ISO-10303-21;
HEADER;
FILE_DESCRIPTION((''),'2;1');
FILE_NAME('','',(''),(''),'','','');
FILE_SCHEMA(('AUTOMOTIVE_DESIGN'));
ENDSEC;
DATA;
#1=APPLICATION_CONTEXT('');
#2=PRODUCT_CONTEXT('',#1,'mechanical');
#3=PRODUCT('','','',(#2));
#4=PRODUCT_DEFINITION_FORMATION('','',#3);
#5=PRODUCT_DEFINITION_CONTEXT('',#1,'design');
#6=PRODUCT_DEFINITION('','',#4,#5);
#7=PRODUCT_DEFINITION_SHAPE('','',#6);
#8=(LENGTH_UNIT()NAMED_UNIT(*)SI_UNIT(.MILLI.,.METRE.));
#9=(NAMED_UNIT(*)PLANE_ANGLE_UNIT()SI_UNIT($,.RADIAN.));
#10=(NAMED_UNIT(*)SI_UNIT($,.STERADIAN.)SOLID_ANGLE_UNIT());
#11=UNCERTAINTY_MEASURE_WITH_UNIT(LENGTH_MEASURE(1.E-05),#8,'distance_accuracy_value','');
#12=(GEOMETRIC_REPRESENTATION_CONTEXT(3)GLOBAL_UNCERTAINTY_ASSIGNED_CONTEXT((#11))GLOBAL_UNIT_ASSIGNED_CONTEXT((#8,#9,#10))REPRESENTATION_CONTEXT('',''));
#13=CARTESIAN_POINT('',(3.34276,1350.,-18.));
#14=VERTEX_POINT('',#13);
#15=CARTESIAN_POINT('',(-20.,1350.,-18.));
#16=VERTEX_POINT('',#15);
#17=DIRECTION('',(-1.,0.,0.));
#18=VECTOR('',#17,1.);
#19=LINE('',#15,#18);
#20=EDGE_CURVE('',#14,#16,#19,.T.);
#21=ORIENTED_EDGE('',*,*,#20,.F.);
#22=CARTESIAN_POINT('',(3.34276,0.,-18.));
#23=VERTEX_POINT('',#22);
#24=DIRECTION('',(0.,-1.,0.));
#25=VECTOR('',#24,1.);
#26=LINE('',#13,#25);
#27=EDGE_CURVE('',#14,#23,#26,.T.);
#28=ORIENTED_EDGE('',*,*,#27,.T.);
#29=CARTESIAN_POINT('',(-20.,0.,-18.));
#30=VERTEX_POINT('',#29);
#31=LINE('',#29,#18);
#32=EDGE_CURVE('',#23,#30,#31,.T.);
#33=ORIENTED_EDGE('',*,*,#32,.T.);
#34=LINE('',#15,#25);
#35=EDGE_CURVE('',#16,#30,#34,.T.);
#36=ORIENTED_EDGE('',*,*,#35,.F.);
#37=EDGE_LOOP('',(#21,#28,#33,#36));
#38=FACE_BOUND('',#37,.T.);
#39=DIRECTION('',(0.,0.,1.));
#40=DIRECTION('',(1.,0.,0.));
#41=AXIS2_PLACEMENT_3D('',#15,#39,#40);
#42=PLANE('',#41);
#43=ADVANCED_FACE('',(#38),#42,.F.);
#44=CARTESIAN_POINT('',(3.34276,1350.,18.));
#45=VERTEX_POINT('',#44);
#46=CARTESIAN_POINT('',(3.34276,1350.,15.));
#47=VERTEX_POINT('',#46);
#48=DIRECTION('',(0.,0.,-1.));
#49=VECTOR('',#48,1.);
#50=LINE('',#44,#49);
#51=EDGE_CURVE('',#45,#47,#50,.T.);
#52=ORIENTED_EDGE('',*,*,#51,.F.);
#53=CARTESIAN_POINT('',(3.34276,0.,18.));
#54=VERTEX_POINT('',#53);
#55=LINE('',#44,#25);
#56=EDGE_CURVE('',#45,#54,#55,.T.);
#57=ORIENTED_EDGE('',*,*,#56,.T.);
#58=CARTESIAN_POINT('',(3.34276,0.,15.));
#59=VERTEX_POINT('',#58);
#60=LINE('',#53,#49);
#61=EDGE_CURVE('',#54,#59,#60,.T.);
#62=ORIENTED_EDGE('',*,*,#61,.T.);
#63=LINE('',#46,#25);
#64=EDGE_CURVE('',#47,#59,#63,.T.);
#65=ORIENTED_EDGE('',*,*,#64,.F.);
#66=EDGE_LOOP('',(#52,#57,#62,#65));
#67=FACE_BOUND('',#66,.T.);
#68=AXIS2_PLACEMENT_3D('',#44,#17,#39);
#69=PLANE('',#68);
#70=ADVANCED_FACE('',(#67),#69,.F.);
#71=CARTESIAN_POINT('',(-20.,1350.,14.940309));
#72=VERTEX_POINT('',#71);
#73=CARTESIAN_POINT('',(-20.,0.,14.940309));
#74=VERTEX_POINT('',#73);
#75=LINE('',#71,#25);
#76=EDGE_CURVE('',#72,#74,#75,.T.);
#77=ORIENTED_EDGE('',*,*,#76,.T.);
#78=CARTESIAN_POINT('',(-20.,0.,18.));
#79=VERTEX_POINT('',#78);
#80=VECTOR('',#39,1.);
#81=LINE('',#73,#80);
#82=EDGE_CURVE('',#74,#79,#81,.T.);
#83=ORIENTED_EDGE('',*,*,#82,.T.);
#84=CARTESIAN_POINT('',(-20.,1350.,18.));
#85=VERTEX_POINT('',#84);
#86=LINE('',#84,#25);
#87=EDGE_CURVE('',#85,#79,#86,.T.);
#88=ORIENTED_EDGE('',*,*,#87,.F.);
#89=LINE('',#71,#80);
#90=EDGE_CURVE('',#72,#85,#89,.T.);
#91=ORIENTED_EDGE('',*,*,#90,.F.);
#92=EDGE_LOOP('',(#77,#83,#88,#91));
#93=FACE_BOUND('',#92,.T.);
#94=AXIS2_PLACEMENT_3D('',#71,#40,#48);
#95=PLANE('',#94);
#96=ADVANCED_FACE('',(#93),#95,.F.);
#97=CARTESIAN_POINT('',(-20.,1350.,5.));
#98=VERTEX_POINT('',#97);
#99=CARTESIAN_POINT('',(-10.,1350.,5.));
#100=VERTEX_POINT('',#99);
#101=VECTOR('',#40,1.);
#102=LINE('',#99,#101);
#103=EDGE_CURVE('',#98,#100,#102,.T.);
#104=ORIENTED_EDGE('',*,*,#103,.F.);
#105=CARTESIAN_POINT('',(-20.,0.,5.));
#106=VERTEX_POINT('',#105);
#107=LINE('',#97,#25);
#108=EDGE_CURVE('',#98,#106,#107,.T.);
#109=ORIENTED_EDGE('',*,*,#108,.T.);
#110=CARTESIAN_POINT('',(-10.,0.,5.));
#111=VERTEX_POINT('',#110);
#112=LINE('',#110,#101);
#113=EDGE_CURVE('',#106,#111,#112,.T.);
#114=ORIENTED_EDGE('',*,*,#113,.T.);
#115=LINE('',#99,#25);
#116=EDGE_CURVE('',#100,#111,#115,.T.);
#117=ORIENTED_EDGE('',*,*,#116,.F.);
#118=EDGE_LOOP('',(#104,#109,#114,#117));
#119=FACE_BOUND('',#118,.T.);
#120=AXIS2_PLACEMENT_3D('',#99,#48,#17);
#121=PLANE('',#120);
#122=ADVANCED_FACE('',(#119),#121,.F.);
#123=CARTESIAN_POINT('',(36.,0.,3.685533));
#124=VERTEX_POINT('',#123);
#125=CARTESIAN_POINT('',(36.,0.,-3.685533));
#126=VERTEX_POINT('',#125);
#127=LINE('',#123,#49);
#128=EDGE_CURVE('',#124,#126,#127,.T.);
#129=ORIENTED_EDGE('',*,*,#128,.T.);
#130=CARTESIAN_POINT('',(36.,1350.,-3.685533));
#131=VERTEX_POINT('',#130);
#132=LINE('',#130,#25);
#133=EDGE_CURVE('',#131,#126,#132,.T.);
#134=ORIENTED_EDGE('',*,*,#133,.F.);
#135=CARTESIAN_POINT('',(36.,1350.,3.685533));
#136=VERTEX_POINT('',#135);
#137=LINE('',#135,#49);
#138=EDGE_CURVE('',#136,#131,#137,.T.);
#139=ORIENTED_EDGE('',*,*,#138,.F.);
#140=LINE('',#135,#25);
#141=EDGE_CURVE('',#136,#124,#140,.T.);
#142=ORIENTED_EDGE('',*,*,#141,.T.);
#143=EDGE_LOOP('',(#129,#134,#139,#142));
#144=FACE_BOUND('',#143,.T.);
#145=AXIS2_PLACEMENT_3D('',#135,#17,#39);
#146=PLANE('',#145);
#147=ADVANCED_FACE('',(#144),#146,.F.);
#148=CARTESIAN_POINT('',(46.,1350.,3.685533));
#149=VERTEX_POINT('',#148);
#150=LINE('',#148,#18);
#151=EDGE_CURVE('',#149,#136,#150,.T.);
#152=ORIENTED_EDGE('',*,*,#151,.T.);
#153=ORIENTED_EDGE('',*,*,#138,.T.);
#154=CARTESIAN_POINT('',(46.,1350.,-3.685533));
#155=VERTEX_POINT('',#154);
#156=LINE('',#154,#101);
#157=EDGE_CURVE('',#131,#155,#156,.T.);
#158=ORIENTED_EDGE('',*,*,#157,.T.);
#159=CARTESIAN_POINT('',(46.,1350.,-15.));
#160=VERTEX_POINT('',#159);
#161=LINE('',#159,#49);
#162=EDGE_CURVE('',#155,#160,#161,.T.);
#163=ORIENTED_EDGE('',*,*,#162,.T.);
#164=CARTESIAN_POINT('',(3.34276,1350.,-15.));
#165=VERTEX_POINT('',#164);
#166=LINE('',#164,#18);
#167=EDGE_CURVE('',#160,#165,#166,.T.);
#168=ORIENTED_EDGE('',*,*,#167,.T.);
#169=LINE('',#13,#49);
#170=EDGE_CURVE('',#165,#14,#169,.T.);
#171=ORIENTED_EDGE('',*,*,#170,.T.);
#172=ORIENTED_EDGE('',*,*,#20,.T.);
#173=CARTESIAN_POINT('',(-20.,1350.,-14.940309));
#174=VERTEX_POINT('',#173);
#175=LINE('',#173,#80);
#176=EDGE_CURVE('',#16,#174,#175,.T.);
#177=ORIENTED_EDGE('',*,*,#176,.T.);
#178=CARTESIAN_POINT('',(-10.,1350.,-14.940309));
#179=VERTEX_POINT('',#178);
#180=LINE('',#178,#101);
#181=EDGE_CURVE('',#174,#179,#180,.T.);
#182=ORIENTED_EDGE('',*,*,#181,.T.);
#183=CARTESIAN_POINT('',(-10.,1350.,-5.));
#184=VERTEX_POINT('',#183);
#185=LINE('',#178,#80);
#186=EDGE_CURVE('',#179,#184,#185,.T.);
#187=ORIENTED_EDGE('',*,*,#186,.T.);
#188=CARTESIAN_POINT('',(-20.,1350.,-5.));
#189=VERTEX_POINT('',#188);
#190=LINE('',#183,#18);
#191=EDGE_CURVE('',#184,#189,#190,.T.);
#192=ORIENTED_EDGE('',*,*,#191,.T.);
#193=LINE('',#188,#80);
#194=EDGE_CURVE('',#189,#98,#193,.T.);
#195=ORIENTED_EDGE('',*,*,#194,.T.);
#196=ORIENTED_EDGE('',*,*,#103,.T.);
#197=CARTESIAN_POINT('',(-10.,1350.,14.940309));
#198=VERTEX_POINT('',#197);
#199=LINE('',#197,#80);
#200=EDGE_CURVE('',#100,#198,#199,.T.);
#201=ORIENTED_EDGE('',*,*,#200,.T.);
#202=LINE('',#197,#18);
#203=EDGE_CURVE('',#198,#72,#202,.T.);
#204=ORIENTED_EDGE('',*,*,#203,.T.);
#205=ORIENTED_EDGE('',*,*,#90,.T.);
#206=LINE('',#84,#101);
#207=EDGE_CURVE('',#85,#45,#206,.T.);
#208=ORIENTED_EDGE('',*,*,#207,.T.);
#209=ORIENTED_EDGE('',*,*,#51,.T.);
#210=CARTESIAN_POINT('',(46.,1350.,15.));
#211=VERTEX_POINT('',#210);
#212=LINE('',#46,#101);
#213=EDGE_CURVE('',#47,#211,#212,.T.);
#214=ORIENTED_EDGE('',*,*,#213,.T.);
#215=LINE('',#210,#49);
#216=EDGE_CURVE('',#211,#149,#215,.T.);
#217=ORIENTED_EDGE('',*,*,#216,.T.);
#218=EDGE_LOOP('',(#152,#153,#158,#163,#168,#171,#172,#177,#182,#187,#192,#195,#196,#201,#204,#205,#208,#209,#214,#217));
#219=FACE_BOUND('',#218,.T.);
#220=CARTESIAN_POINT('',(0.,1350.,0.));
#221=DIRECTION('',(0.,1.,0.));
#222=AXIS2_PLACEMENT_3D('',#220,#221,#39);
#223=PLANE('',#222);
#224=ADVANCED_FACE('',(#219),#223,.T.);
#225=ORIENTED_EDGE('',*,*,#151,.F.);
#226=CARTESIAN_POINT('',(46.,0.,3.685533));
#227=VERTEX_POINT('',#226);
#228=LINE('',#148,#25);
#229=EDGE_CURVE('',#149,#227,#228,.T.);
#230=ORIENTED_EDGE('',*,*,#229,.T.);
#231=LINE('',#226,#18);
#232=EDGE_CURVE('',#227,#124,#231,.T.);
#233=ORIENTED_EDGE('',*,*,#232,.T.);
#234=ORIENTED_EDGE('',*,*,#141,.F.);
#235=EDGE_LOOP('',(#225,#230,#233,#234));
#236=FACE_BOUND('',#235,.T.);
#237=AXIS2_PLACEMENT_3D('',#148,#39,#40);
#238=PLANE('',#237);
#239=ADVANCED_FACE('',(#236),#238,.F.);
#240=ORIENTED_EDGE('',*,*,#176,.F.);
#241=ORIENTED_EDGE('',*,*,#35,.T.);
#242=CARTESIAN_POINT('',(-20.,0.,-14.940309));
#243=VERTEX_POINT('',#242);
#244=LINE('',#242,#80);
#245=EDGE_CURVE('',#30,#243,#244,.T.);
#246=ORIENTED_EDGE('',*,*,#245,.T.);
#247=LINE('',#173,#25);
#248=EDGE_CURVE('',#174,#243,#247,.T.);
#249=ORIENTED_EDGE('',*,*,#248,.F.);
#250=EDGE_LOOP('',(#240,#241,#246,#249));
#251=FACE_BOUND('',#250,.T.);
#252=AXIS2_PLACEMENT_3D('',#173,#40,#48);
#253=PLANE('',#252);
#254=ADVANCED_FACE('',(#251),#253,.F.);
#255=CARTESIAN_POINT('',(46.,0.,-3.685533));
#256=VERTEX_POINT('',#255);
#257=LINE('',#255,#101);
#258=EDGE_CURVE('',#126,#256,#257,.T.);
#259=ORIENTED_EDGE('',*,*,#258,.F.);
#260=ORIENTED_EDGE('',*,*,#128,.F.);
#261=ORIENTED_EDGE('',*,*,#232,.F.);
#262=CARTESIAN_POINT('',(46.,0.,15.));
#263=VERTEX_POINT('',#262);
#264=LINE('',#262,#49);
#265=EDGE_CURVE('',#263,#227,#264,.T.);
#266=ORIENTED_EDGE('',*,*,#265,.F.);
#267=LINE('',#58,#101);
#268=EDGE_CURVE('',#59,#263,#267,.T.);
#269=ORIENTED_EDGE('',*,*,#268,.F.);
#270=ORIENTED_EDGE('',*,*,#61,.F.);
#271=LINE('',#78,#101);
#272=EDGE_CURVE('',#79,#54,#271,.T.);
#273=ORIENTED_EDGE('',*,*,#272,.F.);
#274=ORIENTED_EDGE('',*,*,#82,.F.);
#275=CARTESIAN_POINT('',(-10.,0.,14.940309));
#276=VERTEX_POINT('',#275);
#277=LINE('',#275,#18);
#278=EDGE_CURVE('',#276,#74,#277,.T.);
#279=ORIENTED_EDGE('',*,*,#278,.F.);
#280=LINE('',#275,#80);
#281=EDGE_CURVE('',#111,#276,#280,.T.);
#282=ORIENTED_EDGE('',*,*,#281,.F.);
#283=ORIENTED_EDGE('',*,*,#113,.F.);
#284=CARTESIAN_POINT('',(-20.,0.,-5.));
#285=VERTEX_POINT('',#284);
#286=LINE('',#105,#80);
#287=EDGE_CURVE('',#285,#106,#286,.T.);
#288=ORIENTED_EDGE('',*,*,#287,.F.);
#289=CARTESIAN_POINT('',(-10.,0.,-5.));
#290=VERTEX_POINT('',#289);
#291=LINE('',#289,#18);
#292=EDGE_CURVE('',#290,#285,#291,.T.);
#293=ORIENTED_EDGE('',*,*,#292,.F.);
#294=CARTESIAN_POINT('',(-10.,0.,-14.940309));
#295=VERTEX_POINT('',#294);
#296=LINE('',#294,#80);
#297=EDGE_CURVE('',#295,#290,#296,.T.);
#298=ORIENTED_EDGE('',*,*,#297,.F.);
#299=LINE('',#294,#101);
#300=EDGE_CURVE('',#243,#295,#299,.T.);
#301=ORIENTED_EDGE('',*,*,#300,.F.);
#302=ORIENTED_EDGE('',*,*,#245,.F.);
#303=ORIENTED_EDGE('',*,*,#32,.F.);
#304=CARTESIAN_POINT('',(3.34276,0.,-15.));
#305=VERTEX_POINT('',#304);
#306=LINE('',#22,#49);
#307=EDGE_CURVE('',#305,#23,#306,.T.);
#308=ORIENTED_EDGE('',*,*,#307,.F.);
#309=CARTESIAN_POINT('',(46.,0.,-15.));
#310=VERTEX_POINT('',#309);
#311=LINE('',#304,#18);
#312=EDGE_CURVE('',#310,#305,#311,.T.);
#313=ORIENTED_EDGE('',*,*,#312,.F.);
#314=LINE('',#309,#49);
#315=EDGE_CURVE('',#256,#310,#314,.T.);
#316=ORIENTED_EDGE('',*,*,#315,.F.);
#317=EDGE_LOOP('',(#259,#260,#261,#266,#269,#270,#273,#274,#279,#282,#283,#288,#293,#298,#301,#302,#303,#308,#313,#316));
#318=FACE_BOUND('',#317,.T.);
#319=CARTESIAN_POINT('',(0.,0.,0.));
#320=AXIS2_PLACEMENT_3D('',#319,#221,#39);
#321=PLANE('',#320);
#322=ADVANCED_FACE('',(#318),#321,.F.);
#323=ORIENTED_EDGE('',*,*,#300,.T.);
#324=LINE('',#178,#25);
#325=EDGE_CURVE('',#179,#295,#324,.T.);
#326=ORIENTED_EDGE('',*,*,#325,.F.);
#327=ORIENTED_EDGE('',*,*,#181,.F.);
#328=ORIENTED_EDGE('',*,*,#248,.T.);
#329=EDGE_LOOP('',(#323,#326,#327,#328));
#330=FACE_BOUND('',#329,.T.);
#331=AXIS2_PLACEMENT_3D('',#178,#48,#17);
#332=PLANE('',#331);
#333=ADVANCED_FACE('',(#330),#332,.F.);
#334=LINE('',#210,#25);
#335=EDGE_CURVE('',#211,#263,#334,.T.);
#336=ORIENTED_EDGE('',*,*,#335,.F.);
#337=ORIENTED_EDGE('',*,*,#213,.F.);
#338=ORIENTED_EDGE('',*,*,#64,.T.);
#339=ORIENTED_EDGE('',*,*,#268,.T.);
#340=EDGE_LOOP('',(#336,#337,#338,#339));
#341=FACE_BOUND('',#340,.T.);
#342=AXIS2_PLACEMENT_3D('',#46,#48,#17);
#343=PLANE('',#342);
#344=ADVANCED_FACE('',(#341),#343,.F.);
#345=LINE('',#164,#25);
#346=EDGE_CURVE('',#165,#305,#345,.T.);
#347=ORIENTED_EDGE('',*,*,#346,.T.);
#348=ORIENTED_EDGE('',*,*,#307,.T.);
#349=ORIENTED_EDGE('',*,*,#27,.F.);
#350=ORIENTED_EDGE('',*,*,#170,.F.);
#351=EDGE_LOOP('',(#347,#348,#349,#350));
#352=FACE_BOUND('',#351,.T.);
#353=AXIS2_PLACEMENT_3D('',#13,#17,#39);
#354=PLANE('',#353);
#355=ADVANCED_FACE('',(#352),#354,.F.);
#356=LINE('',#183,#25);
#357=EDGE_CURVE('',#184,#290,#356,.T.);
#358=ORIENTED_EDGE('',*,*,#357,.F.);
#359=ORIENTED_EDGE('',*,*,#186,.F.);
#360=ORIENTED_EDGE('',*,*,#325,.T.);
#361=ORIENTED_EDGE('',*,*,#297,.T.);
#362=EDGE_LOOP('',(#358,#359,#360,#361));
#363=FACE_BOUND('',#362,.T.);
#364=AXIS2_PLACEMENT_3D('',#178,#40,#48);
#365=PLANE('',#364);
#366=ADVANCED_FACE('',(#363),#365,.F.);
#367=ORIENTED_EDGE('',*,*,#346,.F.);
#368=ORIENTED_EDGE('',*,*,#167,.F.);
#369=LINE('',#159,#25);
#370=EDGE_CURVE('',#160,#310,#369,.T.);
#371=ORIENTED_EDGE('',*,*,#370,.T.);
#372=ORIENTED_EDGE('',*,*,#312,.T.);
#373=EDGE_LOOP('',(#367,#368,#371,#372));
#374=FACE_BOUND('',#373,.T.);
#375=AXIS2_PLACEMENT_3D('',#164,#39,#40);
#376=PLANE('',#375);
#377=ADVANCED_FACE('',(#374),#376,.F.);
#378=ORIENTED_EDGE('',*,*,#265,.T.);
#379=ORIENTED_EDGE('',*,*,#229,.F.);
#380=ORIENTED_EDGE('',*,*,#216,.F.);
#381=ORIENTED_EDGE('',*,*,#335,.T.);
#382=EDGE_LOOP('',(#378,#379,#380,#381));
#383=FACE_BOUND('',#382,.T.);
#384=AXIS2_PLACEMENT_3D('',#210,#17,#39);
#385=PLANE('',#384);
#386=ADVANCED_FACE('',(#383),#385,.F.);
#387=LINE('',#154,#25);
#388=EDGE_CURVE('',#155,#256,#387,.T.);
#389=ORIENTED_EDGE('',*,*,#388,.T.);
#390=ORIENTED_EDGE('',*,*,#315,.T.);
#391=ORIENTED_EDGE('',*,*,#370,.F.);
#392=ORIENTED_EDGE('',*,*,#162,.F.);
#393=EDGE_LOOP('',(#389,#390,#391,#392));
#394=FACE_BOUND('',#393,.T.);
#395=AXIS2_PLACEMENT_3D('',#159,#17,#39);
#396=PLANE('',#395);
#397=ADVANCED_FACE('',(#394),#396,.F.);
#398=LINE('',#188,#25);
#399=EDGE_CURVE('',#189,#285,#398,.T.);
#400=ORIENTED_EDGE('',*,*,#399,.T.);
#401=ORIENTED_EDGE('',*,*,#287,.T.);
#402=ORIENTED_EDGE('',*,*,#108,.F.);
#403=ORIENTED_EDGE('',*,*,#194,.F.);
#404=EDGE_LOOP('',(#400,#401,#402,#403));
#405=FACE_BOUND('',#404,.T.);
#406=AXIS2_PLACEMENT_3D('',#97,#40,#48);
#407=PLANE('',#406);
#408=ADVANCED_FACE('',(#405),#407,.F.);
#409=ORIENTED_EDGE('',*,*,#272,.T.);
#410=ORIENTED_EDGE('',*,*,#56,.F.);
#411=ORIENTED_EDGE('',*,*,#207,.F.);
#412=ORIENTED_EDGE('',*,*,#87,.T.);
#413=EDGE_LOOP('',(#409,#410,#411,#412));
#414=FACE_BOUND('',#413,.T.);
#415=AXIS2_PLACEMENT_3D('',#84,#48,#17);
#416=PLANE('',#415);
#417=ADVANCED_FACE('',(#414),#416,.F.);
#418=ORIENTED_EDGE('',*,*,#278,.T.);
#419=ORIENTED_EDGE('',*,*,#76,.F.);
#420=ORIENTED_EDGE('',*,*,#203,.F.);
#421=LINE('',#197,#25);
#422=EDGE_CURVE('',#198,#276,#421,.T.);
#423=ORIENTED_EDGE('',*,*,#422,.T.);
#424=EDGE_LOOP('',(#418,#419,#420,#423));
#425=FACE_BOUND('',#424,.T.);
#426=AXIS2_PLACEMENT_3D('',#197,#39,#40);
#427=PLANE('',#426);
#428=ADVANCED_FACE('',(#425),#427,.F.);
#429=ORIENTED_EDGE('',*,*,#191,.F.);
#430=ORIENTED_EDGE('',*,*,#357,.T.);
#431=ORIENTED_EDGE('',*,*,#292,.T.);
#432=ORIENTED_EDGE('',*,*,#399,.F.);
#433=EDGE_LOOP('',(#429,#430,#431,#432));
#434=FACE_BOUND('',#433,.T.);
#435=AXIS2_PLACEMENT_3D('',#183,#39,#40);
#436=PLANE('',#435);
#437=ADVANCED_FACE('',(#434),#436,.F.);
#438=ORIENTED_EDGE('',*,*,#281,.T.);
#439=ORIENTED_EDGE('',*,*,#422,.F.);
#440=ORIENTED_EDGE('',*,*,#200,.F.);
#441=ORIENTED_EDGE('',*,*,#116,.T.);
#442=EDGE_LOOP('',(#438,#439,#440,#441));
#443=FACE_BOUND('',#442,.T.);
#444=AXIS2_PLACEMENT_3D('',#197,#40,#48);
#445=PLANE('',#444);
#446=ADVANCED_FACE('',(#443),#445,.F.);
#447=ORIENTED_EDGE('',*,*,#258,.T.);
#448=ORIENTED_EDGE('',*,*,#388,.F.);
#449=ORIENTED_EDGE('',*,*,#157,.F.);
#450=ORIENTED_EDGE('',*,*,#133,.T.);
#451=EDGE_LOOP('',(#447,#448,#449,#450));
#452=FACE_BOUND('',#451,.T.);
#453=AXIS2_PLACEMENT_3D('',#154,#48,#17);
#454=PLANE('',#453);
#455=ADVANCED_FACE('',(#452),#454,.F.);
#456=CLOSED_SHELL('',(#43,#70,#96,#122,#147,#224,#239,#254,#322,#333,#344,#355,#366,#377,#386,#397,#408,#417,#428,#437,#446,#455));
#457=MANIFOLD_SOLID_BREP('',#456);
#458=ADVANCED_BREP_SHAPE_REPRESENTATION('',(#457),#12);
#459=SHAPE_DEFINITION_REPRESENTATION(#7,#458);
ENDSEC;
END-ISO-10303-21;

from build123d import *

# Parameters (mm, degrees)
EXTRUDE_1_DEPTH = 1350


with BuildPart() as part:
    # Эскиз1 → Бобышка-Вытянуть1 (new body)
    with BuildSketch(Plane(origin=(0, 0, 0), x_dir=(1, 0, 0), z_dir=(0, 1, 0))):
        Polygon((-10, -14.940308811), (-10, -5), (-20, -5), (-20, 0), (-20, 5), (-10, 5), (-10, 14.940308811), (-20, 14.940308811), (-20, 18), (3.34276046, 18), (3.34276046, 15), (46, 15), (46, 3.685533366), (36, 3.685533366), (36, -3.685533366), (46, -3.685533366), (46, -15), (3.34276046, -15), (3.34276046, -18), (-20, -18), (-20, -14.940308811), align=None)
    extrude(amount=EXTRUDE_1_DEPTH)


solid = part.part
